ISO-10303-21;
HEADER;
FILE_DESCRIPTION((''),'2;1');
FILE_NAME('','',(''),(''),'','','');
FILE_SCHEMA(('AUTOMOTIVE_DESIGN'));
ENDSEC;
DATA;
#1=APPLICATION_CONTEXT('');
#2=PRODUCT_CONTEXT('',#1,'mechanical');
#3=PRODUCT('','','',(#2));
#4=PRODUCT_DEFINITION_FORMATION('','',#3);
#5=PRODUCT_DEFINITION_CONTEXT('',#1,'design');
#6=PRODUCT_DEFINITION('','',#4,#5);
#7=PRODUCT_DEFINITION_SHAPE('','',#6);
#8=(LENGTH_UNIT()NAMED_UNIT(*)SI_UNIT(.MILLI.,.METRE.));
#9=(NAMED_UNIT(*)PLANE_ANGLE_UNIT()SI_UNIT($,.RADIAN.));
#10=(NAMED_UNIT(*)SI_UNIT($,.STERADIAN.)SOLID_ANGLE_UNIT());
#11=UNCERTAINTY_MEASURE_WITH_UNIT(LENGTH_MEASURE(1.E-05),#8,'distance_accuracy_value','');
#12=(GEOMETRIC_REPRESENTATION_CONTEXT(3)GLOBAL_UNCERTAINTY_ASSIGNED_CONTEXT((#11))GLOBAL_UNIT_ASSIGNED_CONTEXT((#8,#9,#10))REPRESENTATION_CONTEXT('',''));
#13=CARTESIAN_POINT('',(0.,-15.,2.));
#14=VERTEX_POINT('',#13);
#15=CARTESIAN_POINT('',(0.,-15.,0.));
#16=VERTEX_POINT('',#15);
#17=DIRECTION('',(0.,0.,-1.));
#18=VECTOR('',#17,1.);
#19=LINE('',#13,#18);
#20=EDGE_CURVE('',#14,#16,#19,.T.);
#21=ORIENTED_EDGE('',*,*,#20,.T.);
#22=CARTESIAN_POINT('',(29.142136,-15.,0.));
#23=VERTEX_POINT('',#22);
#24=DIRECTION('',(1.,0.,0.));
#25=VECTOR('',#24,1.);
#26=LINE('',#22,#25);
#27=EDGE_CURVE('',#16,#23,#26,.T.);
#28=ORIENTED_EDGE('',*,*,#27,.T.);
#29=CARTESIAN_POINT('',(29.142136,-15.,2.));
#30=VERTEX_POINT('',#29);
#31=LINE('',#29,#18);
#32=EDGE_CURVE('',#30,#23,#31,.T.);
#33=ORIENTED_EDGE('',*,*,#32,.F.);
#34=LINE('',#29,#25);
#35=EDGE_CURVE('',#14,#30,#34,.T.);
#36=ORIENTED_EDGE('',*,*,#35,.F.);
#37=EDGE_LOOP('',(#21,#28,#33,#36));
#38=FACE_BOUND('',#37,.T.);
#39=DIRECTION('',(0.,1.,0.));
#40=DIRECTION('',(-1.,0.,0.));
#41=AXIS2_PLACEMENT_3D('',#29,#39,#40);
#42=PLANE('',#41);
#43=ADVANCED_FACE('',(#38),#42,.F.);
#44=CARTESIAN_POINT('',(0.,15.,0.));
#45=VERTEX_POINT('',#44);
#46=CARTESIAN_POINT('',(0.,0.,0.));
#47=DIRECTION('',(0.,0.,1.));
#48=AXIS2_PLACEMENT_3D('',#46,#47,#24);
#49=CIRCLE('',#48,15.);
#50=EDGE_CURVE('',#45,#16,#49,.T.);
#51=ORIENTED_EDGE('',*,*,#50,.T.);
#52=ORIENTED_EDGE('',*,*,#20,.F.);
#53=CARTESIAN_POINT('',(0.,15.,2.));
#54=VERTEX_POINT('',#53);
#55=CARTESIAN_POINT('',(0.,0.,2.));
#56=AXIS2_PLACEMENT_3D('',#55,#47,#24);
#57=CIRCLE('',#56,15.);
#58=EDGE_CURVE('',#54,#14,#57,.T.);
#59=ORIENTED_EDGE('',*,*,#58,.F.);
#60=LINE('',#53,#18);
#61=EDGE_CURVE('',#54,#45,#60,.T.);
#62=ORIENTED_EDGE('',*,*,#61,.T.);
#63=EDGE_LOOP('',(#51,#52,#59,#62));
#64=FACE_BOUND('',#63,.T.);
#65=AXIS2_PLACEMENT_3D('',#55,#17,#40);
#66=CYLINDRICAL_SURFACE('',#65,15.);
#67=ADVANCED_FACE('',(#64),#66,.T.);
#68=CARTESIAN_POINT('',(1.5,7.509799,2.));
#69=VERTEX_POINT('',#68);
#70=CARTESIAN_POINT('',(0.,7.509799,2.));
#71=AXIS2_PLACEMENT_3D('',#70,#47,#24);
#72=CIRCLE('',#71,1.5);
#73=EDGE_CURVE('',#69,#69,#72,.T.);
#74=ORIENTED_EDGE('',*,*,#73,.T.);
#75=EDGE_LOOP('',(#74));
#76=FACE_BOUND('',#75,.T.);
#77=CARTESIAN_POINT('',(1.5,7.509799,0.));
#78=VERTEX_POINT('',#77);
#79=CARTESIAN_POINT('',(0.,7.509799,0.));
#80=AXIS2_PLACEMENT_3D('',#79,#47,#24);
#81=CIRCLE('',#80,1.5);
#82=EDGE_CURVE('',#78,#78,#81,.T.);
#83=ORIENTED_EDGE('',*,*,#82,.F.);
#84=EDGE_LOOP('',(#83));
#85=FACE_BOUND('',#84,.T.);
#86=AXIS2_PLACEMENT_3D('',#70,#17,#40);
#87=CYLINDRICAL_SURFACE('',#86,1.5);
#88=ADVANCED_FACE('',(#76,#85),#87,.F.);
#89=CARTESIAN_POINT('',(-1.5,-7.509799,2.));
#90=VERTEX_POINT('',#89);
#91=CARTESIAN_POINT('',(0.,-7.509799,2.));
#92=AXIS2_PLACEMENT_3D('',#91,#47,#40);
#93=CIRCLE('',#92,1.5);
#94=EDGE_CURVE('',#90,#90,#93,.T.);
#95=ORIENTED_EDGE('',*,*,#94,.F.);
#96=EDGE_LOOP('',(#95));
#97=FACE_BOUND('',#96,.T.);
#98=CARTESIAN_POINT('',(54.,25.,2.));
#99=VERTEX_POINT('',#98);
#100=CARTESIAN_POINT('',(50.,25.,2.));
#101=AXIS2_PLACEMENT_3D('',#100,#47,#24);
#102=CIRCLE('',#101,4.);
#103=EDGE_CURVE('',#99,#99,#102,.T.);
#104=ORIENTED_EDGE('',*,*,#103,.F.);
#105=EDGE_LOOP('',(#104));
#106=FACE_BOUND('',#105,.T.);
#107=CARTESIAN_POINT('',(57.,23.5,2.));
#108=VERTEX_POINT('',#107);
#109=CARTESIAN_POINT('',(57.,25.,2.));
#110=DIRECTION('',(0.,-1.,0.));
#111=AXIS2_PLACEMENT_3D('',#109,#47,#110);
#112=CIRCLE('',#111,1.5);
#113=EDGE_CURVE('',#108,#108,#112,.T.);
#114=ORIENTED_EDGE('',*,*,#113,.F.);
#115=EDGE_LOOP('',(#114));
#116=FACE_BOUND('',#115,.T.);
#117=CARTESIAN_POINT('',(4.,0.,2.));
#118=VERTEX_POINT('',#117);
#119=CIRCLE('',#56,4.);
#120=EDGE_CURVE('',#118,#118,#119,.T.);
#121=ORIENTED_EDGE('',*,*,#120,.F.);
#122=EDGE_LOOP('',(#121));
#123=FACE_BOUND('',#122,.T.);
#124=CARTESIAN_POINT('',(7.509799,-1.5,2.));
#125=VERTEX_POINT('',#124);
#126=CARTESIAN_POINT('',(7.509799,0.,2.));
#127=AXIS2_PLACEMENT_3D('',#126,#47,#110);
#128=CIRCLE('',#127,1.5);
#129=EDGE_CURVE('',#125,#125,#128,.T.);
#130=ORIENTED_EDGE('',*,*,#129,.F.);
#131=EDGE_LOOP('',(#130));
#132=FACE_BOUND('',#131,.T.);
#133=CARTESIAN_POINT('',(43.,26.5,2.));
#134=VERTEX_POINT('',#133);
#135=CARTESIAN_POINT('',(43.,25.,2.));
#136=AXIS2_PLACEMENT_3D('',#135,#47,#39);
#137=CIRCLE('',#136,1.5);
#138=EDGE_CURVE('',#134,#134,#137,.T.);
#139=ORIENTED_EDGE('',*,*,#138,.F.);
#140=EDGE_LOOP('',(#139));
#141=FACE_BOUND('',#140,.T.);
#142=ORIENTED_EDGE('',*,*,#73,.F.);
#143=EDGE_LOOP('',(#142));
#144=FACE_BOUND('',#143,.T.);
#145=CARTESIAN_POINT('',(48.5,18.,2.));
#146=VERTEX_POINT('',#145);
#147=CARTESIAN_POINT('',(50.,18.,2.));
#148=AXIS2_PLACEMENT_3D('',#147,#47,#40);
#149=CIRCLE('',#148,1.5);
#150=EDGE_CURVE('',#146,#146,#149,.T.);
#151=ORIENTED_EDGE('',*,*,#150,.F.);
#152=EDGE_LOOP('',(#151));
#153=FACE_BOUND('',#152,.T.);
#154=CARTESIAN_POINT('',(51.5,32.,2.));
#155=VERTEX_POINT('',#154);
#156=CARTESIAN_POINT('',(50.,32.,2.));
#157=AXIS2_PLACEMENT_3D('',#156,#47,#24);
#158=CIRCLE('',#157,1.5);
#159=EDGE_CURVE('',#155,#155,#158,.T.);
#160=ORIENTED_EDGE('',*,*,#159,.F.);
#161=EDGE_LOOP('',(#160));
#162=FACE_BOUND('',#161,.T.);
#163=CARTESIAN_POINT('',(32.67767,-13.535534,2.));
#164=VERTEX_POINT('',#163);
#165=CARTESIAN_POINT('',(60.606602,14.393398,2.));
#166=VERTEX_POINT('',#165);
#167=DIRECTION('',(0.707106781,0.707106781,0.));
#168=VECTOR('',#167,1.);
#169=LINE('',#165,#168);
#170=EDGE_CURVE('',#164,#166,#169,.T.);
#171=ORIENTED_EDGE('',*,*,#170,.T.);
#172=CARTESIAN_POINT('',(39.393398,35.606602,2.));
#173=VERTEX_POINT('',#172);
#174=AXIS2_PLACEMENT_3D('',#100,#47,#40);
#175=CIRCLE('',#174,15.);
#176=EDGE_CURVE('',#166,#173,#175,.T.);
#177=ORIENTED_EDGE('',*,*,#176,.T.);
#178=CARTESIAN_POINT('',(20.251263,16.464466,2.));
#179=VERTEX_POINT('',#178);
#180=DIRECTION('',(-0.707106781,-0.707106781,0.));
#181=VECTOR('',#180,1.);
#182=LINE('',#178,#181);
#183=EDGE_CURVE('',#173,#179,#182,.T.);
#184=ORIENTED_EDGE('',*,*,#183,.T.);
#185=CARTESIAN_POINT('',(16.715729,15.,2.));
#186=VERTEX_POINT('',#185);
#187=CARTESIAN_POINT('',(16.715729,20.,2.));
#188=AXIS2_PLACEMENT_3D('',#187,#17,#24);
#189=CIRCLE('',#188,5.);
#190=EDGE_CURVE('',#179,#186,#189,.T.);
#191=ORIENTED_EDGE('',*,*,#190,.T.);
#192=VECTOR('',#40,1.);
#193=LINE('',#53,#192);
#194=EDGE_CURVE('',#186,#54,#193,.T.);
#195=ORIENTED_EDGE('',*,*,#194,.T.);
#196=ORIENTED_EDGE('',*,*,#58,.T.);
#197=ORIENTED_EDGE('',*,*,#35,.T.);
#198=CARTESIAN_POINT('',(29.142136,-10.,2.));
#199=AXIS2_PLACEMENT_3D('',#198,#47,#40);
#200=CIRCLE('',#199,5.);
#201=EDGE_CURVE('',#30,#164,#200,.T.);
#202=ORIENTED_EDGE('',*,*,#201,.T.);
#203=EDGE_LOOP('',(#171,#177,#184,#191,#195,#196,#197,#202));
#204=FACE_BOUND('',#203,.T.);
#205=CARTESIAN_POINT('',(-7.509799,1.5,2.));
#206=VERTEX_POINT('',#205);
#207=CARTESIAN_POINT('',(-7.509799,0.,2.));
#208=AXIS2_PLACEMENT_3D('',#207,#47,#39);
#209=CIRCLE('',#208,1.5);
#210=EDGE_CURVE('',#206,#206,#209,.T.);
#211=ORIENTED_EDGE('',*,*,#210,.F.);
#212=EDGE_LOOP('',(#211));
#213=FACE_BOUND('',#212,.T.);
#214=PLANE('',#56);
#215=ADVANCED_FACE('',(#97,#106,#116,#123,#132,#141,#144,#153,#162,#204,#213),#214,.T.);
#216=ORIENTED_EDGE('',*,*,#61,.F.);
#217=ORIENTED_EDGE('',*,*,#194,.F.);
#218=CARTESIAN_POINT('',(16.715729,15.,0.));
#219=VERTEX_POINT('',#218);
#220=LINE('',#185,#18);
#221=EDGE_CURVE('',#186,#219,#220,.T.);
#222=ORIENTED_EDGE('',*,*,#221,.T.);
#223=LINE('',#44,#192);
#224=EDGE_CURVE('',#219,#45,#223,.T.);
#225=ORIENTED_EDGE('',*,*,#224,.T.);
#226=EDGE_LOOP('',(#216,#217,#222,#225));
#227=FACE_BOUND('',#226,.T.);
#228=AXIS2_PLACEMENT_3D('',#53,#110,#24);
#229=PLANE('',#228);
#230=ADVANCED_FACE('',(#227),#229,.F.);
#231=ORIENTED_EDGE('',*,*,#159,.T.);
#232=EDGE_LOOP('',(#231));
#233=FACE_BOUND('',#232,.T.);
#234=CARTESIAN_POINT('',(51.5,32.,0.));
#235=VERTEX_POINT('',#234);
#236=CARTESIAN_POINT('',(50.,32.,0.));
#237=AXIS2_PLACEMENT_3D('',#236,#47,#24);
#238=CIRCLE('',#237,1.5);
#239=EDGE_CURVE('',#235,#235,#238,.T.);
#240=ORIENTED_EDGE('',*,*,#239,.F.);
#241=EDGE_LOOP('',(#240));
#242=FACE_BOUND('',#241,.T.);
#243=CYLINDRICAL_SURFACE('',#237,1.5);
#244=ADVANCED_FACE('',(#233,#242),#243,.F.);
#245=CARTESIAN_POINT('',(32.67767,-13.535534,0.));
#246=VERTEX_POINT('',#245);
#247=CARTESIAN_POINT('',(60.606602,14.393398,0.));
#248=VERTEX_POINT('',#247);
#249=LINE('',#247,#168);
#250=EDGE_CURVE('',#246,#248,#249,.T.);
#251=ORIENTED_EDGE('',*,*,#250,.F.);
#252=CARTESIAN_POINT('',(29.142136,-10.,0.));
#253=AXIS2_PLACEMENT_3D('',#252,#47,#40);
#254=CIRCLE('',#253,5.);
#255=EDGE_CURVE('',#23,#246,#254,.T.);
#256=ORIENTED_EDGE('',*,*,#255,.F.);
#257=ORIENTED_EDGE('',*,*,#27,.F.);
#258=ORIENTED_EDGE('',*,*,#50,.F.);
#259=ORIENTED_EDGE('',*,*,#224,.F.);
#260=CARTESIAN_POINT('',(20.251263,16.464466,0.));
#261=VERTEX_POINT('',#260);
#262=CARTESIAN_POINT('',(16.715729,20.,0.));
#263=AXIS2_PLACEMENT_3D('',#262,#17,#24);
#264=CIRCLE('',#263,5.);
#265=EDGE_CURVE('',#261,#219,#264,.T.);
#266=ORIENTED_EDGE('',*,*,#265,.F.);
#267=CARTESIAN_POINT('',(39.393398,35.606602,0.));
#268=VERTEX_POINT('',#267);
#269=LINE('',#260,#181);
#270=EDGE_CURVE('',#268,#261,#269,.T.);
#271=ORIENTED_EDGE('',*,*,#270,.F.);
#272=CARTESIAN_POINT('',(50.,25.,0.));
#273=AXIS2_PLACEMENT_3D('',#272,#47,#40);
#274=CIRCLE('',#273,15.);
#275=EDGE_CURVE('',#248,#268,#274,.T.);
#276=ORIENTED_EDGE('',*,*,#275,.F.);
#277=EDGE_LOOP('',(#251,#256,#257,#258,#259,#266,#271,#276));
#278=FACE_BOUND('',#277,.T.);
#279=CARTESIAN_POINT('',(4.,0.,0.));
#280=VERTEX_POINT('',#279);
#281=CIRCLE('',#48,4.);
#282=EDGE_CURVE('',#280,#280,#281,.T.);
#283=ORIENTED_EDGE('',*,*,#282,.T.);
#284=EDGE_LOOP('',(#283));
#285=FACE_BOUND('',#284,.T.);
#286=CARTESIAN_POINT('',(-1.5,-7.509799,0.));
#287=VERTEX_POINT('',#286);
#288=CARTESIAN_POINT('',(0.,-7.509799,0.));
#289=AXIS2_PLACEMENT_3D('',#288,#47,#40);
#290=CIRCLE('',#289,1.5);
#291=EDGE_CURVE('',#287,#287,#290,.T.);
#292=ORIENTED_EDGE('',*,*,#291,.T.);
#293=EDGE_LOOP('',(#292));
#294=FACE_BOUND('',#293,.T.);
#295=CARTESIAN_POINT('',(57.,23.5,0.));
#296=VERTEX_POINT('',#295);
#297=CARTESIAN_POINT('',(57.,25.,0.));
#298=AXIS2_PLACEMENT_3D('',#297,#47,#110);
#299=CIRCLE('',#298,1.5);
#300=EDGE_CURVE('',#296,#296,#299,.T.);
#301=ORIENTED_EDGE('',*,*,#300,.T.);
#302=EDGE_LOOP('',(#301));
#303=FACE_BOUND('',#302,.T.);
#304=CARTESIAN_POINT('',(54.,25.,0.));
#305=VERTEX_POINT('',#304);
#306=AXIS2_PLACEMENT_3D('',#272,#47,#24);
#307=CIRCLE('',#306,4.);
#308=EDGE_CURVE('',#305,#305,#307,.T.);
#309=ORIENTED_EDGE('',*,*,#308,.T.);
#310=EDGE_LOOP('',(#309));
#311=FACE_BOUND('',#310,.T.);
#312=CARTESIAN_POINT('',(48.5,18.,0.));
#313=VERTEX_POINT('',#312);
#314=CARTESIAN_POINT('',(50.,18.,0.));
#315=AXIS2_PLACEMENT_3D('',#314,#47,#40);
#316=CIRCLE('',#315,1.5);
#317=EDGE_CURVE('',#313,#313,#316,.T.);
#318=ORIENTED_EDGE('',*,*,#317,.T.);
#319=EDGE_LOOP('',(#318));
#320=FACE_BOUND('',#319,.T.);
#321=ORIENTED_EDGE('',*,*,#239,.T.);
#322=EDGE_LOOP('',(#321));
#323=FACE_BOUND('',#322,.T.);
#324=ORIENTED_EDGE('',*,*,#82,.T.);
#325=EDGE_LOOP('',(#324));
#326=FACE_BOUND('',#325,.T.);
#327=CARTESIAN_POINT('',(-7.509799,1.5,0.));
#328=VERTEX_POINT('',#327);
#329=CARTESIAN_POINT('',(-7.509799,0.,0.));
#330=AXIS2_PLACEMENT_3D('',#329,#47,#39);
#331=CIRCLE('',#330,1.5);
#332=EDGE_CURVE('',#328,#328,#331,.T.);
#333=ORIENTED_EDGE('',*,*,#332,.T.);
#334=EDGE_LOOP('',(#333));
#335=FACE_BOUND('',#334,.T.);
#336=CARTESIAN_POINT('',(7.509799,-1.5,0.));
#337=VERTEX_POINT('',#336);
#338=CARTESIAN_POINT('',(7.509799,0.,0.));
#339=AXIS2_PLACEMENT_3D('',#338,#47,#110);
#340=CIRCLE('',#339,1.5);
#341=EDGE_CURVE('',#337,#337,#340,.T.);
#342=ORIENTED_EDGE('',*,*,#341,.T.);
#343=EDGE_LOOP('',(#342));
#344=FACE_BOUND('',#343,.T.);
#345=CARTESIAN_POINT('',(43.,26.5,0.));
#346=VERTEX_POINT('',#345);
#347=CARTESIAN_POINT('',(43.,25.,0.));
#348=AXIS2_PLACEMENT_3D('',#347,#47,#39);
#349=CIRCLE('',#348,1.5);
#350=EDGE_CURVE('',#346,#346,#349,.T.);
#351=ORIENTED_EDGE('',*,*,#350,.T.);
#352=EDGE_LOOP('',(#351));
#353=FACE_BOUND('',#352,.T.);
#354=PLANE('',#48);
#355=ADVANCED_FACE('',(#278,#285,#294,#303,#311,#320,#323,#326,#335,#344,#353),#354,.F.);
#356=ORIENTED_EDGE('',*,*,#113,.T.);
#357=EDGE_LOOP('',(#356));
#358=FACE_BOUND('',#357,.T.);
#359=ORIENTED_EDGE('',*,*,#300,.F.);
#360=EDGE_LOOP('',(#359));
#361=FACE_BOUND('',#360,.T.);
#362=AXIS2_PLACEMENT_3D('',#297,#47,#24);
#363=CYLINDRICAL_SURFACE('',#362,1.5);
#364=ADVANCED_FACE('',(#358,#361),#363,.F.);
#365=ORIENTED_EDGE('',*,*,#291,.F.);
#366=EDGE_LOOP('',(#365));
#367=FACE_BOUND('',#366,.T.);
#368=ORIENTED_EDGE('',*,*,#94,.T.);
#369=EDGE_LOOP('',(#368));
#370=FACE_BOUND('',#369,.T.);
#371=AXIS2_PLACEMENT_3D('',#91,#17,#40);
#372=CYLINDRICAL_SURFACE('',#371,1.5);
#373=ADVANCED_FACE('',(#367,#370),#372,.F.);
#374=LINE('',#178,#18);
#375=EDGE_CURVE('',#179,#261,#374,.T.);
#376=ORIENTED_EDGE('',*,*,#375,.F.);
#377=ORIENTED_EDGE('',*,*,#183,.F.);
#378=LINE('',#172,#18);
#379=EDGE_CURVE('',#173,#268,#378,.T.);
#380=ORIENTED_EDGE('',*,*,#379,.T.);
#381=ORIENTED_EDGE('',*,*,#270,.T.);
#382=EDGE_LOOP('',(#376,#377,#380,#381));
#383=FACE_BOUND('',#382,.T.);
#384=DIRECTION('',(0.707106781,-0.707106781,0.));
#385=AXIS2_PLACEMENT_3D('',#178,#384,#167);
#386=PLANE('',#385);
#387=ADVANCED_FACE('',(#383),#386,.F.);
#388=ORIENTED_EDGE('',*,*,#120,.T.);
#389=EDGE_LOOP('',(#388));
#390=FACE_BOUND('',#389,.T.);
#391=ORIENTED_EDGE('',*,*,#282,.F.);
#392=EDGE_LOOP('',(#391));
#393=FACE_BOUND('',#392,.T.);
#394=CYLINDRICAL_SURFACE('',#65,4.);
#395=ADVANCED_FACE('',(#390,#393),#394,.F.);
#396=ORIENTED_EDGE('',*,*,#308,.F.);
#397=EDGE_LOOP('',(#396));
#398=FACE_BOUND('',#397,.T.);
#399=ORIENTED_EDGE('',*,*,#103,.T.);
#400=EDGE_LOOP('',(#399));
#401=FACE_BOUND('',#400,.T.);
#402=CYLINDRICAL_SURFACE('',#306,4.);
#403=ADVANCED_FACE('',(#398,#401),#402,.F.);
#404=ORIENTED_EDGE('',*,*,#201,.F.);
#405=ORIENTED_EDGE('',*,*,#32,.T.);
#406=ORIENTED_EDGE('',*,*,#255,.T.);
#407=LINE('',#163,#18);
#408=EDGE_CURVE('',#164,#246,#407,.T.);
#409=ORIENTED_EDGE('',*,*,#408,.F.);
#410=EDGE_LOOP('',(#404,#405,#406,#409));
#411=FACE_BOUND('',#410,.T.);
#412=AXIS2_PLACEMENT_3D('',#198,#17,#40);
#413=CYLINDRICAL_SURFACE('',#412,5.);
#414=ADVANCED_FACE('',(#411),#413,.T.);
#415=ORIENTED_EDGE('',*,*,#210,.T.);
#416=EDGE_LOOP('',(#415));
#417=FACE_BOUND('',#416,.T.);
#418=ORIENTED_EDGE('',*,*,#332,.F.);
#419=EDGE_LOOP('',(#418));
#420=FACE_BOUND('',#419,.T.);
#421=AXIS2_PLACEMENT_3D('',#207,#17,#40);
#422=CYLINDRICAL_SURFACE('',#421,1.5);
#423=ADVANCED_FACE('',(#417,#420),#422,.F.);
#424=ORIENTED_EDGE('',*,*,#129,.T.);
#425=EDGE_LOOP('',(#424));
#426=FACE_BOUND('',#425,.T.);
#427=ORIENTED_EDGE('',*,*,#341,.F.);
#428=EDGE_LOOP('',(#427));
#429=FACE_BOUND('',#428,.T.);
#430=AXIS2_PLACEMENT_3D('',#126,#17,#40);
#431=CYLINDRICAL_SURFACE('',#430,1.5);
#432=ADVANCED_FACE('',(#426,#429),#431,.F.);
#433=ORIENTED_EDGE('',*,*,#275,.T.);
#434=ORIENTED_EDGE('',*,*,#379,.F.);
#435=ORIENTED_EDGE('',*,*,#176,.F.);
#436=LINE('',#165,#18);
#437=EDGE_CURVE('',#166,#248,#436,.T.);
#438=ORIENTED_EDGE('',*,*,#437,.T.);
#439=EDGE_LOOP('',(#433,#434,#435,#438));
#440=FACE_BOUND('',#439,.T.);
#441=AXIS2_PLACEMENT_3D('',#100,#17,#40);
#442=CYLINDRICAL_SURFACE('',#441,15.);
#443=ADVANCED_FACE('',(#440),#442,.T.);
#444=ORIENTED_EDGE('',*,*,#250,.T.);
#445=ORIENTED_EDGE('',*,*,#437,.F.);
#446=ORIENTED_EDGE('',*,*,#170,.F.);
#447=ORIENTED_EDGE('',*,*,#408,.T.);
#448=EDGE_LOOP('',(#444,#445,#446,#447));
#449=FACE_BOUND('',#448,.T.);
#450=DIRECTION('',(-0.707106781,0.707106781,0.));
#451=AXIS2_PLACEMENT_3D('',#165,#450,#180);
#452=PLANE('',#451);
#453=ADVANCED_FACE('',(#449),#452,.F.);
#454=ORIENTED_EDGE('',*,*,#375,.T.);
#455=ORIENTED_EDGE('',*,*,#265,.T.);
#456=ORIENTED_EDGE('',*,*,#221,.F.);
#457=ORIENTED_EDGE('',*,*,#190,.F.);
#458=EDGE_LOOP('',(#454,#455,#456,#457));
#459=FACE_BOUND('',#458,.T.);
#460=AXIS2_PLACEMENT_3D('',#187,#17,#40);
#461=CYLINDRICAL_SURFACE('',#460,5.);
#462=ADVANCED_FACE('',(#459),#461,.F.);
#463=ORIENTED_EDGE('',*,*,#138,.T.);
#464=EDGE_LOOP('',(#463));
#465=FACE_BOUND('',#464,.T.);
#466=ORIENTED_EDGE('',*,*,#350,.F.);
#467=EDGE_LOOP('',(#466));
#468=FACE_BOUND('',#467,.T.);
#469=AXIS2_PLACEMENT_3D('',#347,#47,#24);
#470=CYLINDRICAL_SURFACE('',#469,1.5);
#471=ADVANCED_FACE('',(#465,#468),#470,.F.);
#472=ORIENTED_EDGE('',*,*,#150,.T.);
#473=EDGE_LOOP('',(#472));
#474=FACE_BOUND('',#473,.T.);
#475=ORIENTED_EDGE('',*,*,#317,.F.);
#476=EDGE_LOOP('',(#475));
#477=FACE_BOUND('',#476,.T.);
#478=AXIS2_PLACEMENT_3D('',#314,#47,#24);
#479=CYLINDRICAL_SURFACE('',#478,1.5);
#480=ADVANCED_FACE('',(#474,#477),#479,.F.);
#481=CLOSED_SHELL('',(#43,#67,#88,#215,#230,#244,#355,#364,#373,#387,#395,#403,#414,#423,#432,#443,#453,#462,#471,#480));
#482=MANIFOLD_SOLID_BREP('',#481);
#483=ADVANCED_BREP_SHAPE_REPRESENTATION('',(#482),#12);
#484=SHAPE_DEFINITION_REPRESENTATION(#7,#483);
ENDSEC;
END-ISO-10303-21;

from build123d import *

# Parameters (mm, degrees)
SALIENTE_EXTRUIR1_DEPTH = 2
CROQUIS1_R              = 4
CORTAR_EXTRUIR1_DEPTH   = 2
CROQUIS2_R              = 1.5
CORTAR_EXTRUIR2_DEPTH   = 2
MATRIZC1_COUNT          = 4
CROQUIS4_R              = 4
CORTAR_EXTRUIR3_DEPTH   = 2
CROQUIS5_R              = 1.5
CORTAR_EXTRUIR4_DEPTH   = 2
MATRIZC2_COUNT          = 4


with BuildPart() as part:
    # Croquis3 → Saliente-Extruir1 (new body)
    with BuildSketch(Plane.XY):
        with BuildLine():
            Line((0, 15), (16.715728753, 15))
            ThreePointArc((16.715728753, 15), (18.629145914, 15.380602337), (20.251262658, 16.464466094))
            Line((20.251262658, 16.464466094), (39.393398282, 35.606601717))
            ThreePointArc((39.393398282, 35.606601717), (60.606601717, 35.606601717), (60.606601717, 14.393398282))
            Line((60.606601717, 14.393398282), (32.67766953, -13.535533906))
            ThreePointArc((32.67766953, -13.535533906), (31.055552786, -14.619397663), (29.142135624, -15))
            Line((29.142135624, -15), (0, -15))
            ThreePointArc((0, -15), (-15, 0), (0, 15))
        make_face()
    extrude(amount=SALIENTE_EXTRUIR1_DEPTH)

    # Croquis1 → Cortar-Extruir1 (cut)
    with BuildSketch(Plane.XY):
        Circle(CROQUIS1_R)
    extrude(amount=CORTAR_EXTRUIR1_DEPTH, mode=Mode.SUBTRACT)

    # Croquis2 → Cortar-Extruir2 (cut)
    with BuildSketch(Plane.XY):
        with Locations((0, 7.509798768)):
            Circle(CROQUIS2_R)
    cortar_extruir2 = extrude(amount=CORTAR_EXTRUIR2_DEPTH, mode=Mode.SUBTRACT)

    # MatrizC1: Cortar-Extruir2 ×4 about axis
    matrizc1_axis = Axis((0, 0, 0), (0, 0, 1))
    for i in range(1, MATRIZC1_COUNT):
        add(cortar_extruir2.rotate(matrizc1_axis, i * 360 / MATRIZC1_COUNT), mode=Mode.SUBTRACT)

    # Croquis4 → Cortar-Extruir3 (cut)
    with BuildSketch(Plane.XY.offset(2)):
        with Locations((50, 25)):
            Circle(CROQUIS4_R)
    extrude(amount=-CORTAR_EXTRUIR3_DEPTH, mode=Mode.SUBTRACT)

    # Croquis5 → Cortar-Extruir4 (cut)
    with BuildSketch(Plane.XY.offset(2)):
        with Locations((50, 32)):
            Circle(CROQUIS5_R)
    cortar_extruir4 = extrude(amount=-CORTAR_EXTRUIR4_DEPTH, mode=Mode.SUBTRACT)

    # MatrizC2: Cortar-Extruir4 ×4 about axis
    matrizc2_axis = Axis((50, 25, 0), (0, 0, 1))
    for i in range(1, MATRIZC2_COUNT):
        add(cortar_extruir4.rotate(matrizc2_axis, i * 360 / MATRIZC2_COUNT), mode=Mode.SUBTRACT)


solid = part.part
